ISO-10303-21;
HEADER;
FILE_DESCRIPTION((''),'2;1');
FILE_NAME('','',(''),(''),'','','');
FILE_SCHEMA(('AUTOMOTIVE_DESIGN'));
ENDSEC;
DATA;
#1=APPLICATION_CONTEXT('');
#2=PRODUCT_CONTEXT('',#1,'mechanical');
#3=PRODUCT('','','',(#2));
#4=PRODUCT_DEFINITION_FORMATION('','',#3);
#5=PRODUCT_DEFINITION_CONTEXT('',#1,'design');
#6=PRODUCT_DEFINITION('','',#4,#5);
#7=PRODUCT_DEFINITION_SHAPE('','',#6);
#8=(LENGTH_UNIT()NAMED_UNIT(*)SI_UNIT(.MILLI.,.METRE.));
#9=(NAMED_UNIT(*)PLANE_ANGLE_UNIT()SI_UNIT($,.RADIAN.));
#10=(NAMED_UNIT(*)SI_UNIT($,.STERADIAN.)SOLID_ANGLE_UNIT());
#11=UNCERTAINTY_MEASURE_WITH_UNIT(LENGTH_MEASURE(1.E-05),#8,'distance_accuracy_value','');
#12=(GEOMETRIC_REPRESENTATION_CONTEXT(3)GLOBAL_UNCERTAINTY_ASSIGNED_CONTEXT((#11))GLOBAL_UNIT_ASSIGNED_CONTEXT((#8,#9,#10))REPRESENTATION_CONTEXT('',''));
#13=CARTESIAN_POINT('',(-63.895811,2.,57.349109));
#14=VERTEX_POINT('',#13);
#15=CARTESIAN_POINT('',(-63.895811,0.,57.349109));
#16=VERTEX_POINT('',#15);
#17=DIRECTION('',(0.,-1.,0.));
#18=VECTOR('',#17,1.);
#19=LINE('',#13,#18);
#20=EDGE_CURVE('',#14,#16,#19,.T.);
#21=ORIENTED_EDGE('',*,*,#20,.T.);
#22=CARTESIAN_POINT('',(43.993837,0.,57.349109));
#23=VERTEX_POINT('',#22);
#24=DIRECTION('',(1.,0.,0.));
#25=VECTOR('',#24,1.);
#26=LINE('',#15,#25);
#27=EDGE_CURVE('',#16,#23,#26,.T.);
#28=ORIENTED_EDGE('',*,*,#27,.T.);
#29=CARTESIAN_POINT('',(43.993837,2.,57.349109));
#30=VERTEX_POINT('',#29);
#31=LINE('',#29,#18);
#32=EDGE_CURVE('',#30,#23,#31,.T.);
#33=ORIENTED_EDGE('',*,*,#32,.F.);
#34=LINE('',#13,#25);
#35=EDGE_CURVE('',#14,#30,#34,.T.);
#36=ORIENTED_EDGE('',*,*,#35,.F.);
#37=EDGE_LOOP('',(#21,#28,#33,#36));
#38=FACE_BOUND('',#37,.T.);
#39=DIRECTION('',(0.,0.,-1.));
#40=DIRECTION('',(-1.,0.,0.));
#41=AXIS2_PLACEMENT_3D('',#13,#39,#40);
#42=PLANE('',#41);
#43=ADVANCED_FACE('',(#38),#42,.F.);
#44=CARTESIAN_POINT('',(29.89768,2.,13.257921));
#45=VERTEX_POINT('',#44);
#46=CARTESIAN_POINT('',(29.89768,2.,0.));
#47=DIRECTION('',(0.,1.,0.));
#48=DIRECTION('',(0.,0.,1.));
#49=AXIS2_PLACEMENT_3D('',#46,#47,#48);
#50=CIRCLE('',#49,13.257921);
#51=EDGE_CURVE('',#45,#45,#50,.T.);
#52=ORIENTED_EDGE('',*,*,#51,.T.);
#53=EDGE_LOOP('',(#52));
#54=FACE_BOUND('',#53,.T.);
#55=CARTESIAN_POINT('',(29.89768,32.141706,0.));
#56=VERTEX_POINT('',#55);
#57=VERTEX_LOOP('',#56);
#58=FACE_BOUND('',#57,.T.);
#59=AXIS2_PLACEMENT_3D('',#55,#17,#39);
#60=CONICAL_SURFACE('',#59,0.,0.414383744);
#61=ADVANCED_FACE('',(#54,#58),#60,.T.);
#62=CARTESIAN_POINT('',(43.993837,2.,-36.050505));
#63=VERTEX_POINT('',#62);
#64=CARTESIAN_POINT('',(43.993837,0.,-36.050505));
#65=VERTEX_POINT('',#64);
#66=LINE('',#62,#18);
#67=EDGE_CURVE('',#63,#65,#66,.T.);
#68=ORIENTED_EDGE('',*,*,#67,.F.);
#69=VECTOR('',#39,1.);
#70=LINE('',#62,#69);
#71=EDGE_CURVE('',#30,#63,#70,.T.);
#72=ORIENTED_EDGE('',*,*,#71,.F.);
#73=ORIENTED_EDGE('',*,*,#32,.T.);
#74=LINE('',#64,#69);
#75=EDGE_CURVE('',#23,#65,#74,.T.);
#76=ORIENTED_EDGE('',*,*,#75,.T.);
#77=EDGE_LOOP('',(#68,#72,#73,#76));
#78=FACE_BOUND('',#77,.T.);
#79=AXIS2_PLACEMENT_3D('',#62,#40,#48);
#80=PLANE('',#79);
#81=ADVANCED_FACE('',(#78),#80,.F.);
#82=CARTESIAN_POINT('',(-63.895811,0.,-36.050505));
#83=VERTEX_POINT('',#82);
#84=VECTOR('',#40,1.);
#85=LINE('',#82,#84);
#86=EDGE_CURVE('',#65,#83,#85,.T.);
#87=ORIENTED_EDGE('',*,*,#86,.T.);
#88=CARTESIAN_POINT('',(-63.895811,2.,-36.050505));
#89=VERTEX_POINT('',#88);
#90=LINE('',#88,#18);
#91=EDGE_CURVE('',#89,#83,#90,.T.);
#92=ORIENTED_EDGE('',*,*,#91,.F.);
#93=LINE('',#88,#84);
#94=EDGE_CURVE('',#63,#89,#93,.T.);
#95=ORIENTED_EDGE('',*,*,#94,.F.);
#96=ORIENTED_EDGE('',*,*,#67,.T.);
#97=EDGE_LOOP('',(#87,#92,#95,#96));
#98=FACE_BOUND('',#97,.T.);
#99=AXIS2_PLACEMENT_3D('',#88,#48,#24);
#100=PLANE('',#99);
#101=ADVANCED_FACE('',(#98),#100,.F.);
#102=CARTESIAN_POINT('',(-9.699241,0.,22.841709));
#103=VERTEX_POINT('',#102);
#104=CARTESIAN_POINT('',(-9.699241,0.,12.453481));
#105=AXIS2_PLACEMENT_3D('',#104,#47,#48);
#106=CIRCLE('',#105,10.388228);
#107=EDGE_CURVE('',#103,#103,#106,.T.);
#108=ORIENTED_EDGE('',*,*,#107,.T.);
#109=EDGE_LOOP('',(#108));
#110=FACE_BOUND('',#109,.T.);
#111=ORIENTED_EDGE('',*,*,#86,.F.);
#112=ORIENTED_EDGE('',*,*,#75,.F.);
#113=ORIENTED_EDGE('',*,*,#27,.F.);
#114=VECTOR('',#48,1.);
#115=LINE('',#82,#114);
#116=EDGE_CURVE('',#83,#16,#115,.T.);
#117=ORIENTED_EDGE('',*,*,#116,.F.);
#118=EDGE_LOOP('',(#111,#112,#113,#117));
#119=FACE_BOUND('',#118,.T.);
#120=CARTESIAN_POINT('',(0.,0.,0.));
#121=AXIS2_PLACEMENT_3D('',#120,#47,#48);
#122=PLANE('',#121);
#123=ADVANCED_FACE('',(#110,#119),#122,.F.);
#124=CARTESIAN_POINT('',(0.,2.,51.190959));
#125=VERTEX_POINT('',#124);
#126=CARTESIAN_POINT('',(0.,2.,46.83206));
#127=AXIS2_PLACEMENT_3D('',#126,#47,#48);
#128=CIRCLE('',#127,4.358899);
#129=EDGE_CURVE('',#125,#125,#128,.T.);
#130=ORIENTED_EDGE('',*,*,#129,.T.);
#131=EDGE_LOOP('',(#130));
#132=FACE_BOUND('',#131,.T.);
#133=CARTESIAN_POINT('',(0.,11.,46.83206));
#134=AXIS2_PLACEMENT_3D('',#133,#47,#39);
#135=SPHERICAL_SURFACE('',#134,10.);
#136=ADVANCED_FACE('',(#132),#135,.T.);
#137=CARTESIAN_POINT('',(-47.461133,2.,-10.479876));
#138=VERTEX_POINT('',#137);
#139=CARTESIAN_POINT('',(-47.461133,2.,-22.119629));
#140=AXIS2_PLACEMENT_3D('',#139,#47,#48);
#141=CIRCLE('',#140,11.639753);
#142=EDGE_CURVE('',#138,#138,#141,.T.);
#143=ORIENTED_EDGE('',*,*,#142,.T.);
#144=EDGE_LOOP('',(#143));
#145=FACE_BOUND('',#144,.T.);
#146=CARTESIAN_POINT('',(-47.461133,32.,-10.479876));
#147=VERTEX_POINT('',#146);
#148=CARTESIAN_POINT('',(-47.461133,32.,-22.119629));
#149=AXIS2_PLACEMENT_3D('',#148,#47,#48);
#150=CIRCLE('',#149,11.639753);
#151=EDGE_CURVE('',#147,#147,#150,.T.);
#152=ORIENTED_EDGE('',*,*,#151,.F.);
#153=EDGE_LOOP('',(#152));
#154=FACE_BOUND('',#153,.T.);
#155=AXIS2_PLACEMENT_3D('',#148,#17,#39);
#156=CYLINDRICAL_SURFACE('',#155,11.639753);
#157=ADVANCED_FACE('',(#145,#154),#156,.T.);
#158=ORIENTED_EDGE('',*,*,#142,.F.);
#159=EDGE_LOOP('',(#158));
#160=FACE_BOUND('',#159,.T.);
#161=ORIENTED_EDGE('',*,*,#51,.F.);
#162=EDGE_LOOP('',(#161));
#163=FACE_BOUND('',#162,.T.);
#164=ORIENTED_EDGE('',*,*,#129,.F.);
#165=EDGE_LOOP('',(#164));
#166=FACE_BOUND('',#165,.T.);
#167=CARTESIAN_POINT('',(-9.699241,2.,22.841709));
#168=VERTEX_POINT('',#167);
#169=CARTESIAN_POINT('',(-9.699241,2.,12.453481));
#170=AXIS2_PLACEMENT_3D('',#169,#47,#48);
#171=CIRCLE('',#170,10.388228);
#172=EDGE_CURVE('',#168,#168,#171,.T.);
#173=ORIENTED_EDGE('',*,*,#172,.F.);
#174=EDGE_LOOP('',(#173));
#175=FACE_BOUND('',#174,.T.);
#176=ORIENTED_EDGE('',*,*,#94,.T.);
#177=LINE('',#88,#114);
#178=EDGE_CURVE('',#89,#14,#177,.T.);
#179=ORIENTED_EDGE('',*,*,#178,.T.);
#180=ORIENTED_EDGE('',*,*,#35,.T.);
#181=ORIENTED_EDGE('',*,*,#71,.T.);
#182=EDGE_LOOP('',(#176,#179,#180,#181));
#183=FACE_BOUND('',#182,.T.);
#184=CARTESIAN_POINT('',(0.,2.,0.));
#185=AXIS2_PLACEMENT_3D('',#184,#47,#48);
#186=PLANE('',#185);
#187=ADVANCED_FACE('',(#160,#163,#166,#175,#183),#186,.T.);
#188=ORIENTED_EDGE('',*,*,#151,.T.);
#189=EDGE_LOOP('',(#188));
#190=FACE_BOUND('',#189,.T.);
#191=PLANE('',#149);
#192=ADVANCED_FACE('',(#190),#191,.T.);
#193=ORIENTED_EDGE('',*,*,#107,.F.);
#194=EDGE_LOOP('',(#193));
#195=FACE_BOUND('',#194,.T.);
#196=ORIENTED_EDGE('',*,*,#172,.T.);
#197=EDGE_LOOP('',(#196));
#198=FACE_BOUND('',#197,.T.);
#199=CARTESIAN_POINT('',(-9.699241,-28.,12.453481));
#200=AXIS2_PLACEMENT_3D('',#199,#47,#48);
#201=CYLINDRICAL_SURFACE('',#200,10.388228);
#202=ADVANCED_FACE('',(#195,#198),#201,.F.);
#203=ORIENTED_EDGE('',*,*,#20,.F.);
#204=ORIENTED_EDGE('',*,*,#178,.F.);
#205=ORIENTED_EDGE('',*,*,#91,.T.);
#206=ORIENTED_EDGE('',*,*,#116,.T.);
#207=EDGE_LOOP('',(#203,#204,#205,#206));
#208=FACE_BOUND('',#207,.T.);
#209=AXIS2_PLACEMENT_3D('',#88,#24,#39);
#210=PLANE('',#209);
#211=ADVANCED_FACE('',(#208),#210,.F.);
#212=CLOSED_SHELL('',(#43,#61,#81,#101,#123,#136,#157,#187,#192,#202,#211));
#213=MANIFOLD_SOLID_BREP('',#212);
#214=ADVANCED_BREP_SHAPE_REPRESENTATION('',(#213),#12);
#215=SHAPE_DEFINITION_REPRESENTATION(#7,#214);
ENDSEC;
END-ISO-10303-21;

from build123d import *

# Parameters (mm, degrees)
SKETCH_1_W          = 107.889647592
SKETCH_1_H          = 93.399614016
EXTRUDE_1_DEPTH     = 2
SKETCH_2_R          = 11.639752959
EXTRUDE_2_DEPTH     = 30
SKETCH_3_R          = 10.388227947
CUT_EXTRUDE_1_DEPTH = 30


with BuildPart() as part:
    # 草图1 → 凸台-拉伸1 (new body)
    with BuildSketch(Plane(origin=(0, 0, 0), x_dir=(1, 0, 0), z_dir=(0, 1, 0))):
        with Locations((-9.950986914, -10.649301785)):
            Rectangle(SKETCH_1_W, SKETCH_1_H)
    extrude(amount=EXTRUDE_1_DEPTH)

    # 草图2 → 凸台-拉伸2 (add)
    with BuildSketch(Plane(origin=(0, 2, 0), x_dir=(1, 0, 0), z_dir=(0, 1, 0))):
        with Locations((-47.461132716, 22.11962872)):
            Circle(SKETCH_2_R)
    extrude(amount=EXTRUDE_2_DEPTH)

    # 草图3 → 切除-拉伸1 (cut)
    with BuildSketch(Plane(origin=(0, 2, 0), x_dir=(1, 0, 0), z_dir=(0, 1, 0))):
        with Locations((-9.699240969, -12.453481057)):
            Circle(SKETCH_3_R)
    extrude(amount=-CUT_EXTRUDE_1_DEPTH, mode=Mode.SUBTRACT)

    # 草图6 → 旋转4 (revolve)
    with BuildSketch(Plane(origin=(0, 0, 0), x_dir=(0, 0, -1), z_dir=(1, 0, 0))):
        with BuildLine():
            Line((-46.832059877, 2), (-42.473160934, 2))
            ThreePointArc((-42.473160934, 2), (-37.085265533, 13.236067977), (-46.832059877, 21))
            Line((-46.832059877, 21), (-46.832059877, 2))
        make_face()
    revolve(axis=Axis((0, 24.008191083, 46.832059877), (0, -1, 0)))

    # 草图7 → 旋转5 (revolve)
    with BuildSketch(Plane.XY):
        Polygon((16.639758733, 2), (29.897679802, 32.14170616), (29.897679802, 2), align=None)
    revolve(axis=Axis((29.897679802, 32.14170616, 0), (0, -1, 0)))


solid = part.part
